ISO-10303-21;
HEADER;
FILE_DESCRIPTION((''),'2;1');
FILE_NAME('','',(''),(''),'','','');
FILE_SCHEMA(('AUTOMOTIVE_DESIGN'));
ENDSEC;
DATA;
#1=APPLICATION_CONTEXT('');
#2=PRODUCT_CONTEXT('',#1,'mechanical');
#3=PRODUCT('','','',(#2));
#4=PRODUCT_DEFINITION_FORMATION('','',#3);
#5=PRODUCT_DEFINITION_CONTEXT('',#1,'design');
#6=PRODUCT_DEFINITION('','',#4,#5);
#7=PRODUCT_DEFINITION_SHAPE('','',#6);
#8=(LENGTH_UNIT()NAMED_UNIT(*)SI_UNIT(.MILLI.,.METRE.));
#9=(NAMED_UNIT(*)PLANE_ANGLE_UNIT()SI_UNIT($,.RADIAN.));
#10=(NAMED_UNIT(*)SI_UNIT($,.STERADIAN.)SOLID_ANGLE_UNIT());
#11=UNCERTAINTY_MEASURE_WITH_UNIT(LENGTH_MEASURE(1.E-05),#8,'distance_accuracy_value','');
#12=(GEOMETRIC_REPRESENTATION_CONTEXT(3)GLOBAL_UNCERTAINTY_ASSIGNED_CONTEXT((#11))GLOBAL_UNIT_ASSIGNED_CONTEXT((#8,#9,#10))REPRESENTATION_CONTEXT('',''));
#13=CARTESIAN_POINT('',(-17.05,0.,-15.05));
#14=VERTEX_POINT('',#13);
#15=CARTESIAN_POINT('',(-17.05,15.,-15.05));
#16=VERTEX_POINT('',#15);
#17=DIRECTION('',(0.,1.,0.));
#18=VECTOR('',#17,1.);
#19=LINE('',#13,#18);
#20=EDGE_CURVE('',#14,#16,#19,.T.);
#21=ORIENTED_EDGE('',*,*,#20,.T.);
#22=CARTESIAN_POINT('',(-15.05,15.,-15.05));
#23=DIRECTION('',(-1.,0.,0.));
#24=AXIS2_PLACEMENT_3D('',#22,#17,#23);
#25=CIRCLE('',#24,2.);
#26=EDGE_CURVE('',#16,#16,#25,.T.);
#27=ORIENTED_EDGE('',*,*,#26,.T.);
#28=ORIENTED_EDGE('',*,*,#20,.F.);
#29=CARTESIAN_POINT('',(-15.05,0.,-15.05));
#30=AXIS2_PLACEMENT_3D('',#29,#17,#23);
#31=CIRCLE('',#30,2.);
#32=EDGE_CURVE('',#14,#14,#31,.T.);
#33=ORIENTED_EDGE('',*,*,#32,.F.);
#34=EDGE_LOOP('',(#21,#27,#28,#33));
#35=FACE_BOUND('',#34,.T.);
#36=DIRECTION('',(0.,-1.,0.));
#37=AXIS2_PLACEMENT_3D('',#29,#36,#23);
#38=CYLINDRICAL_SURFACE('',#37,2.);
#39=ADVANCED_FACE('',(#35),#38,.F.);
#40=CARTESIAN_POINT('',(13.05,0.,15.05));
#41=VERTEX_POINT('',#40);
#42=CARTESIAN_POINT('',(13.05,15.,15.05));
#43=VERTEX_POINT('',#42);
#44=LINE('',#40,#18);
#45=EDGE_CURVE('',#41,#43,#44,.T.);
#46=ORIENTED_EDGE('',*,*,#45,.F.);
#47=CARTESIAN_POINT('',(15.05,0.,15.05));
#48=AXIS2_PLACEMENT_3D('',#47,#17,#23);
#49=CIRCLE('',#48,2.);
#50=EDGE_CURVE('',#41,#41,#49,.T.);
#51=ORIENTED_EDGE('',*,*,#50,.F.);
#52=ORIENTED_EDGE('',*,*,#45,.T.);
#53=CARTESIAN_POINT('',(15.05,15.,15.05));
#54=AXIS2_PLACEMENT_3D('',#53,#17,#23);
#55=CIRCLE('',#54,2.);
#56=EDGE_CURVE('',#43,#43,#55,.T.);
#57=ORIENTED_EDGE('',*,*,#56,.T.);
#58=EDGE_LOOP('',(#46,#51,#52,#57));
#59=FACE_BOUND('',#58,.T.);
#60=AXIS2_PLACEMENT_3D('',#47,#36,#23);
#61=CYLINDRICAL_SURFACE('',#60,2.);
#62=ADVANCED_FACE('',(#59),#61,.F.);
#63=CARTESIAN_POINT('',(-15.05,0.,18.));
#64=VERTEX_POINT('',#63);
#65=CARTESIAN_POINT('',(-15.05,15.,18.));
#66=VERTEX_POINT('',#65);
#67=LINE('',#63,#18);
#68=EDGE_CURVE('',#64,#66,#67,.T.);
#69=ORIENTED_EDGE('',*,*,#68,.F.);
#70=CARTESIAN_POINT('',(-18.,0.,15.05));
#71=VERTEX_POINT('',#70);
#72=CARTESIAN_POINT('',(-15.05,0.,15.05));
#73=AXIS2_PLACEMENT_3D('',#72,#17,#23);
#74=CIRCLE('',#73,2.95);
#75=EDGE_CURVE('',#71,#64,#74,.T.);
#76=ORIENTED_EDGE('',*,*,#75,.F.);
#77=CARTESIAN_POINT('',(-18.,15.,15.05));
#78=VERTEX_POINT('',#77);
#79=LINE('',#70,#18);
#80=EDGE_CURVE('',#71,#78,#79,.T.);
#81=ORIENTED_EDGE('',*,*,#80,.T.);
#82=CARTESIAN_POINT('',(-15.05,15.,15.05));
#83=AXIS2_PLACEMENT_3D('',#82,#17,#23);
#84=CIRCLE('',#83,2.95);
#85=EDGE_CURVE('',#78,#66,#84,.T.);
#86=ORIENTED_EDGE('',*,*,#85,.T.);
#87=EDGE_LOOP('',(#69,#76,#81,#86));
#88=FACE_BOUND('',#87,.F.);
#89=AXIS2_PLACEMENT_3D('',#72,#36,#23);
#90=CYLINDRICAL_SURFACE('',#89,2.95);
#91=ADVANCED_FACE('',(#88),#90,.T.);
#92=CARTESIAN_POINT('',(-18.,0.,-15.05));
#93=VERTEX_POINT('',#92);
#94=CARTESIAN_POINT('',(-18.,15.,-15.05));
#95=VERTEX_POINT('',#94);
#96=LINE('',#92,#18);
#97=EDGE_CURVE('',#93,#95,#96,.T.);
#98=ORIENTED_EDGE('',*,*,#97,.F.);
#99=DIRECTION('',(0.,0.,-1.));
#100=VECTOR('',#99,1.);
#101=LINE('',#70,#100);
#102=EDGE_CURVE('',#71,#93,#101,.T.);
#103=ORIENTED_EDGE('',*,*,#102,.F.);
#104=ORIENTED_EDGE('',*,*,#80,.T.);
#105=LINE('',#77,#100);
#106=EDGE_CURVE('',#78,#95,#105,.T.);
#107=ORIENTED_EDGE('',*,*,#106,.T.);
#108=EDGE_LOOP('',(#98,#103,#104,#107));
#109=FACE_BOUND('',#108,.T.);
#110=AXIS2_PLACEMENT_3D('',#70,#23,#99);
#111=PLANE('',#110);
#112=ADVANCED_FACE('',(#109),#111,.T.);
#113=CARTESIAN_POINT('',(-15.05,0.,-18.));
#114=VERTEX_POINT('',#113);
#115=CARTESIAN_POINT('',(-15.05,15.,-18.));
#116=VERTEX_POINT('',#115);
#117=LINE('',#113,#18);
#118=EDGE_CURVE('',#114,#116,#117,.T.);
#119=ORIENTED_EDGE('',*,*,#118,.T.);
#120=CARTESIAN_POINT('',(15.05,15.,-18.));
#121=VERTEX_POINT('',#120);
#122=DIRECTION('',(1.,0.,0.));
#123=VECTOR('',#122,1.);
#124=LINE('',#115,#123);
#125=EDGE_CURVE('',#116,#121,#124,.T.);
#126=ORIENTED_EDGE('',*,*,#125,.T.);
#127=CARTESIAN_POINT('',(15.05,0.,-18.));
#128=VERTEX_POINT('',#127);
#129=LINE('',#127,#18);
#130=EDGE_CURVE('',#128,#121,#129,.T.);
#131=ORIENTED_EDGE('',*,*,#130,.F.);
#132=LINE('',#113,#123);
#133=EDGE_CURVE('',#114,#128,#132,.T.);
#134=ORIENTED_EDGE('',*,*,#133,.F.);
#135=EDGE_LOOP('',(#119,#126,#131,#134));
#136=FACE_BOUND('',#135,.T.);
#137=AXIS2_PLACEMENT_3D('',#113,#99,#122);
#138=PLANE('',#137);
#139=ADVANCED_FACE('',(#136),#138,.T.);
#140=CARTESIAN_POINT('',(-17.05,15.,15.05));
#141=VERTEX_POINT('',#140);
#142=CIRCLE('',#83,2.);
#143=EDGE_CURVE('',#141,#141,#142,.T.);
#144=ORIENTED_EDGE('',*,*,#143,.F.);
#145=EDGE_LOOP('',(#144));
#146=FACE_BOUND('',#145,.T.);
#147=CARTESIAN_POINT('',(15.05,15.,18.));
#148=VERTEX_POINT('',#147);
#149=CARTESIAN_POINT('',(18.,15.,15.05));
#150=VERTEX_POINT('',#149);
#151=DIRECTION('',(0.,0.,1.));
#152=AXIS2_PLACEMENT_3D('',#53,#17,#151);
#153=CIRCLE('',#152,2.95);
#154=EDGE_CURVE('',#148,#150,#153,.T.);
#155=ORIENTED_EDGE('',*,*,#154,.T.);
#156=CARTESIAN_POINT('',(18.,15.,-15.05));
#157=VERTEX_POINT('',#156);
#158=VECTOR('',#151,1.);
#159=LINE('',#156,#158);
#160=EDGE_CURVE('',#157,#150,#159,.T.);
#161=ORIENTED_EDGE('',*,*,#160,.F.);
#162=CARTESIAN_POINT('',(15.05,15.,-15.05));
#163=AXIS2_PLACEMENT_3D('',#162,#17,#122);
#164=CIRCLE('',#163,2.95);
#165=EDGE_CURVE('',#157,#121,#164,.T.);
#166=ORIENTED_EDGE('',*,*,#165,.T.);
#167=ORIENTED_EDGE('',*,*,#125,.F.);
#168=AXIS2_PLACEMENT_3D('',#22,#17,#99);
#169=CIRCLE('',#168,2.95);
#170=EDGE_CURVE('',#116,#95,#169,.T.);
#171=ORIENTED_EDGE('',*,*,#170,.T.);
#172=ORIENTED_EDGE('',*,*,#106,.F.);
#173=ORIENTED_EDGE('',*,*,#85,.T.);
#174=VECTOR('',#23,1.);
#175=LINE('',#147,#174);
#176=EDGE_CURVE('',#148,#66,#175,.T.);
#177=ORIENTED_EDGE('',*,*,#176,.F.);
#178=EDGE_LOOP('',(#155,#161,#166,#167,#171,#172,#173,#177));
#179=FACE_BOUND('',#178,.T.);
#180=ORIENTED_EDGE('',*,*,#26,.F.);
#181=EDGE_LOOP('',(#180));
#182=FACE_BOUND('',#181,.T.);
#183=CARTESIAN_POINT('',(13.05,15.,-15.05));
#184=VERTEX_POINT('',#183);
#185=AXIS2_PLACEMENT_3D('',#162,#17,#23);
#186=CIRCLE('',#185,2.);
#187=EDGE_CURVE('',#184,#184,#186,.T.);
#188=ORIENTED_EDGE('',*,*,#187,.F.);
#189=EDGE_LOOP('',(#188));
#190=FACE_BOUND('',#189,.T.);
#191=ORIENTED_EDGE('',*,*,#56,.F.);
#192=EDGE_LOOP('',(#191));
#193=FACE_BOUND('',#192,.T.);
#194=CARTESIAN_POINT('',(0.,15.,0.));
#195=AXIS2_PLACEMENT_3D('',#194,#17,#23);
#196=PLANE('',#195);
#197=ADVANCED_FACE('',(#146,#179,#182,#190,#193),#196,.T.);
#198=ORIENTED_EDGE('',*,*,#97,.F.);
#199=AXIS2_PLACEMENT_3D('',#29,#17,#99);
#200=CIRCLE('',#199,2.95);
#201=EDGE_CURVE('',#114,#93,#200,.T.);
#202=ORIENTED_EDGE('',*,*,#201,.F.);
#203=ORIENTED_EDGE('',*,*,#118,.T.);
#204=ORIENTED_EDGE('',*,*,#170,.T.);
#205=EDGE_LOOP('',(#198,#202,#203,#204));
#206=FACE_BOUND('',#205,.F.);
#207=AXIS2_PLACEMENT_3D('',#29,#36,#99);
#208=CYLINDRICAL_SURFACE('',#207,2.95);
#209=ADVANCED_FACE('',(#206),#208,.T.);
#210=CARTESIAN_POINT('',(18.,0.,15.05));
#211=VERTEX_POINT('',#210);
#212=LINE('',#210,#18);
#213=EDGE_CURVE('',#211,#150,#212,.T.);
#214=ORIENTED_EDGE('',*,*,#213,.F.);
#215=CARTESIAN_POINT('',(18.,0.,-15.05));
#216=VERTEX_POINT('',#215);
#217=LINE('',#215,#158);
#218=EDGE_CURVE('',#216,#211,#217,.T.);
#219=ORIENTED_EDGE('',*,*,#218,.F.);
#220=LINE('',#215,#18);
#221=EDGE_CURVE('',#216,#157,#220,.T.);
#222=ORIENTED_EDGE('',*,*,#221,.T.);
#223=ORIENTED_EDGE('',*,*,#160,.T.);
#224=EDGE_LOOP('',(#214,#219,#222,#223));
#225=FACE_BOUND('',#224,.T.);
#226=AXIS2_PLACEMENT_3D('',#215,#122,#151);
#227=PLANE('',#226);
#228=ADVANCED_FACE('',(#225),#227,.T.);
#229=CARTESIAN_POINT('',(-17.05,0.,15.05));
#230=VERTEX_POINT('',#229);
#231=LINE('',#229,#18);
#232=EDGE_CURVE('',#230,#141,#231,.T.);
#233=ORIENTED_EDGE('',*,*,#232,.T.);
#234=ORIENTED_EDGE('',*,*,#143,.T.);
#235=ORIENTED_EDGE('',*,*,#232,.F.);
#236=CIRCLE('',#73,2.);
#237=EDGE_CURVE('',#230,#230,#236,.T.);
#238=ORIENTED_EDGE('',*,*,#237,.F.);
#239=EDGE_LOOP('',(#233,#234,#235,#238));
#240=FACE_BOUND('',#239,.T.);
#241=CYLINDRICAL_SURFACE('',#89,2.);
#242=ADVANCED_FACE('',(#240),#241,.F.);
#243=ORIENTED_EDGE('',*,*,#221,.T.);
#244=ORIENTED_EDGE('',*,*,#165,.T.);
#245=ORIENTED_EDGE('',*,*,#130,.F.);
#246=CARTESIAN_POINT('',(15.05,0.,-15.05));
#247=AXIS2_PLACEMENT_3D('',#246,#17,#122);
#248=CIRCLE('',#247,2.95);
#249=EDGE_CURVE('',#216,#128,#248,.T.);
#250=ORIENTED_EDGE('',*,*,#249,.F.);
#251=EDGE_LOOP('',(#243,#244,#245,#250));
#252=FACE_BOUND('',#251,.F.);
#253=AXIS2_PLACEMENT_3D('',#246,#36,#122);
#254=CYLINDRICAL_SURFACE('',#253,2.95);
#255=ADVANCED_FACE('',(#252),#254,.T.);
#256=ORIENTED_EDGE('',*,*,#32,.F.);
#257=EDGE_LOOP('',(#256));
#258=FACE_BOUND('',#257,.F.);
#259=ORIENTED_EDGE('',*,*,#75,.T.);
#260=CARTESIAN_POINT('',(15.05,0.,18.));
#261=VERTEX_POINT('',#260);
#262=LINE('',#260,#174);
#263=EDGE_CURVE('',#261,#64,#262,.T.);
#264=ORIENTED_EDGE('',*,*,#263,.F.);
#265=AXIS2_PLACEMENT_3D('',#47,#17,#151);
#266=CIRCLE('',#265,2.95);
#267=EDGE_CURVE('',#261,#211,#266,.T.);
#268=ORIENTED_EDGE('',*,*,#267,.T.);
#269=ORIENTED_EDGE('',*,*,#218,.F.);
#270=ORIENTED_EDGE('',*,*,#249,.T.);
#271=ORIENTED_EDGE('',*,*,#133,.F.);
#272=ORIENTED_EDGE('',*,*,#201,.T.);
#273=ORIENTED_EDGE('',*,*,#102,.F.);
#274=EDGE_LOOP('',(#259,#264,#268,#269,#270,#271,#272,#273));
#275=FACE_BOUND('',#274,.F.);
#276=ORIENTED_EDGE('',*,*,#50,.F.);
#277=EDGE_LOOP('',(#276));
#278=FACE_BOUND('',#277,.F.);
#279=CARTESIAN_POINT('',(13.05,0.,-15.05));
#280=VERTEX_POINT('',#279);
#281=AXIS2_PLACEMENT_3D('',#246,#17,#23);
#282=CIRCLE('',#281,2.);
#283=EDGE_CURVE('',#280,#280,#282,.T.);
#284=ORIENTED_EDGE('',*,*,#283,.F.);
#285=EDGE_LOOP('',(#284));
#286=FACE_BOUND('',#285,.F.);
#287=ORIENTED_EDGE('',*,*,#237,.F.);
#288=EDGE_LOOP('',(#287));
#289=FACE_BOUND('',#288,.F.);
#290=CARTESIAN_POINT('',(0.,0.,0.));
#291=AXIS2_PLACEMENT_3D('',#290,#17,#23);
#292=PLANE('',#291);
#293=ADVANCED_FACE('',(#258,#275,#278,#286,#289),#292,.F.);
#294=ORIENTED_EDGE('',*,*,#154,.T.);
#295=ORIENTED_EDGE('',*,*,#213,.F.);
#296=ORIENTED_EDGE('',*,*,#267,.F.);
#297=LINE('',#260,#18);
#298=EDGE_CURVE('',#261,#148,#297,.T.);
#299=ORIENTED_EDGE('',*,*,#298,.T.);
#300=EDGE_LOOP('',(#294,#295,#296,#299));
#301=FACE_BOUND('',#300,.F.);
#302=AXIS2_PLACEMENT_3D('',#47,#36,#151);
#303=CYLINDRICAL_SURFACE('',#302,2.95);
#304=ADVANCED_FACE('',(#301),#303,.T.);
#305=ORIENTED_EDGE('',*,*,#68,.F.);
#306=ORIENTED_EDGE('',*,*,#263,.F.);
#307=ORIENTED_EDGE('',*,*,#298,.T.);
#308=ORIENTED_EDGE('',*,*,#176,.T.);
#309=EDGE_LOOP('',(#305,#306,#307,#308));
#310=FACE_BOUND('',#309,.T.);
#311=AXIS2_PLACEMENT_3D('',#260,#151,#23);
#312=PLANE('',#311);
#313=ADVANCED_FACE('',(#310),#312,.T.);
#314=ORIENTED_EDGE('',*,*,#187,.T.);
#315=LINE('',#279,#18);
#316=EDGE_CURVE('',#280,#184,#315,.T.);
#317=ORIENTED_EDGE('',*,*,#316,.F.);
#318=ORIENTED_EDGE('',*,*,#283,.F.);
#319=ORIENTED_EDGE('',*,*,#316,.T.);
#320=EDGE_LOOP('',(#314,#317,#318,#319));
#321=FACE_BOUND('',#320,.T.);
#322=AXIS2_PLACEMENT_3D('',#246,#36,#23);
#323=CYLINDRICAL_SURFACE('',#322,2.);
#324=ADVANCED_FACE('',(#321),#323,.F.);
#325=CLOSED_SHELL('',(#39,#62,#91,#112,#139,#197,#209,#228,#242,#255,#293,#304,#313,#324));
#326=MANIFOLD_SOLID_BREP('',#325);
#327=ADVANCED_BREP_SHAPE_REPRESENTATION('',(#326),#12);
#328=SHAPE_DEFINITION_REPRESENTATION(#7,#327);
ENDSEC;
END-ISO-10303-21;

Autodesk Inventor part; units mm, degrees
ref_plane "YZ Plane" through (0, 0, 0) normal (1, 0, 0) x (0, 1, 0)
ref_plane "XZ Plane" through (0, 0, 0) normal (0, 1, 0) x (-1, 0, 0)
ref_plane "XY Plane" through (0, 0, 0) normal (0, 0, 1) x (1, 0, 0)
sketch "Sketch1" plane through (0, 0, 0) normal (0, 1, 0) x (-1, 0, 0)
  line L0 (-15.05, 18) -> (15.05, 18)
  line L1 (18, 15.05) -> (18, -15.05)
  line L2 (15.05, -18) -> (-15.05, -18)
  line L3 (-18, -15.05) -> (-18, 15.05)
  line L4 (-18, 18) -> (18, -18) construction
  line L5 (18, 18) -> (-18, -18) construction
  circle A0 centre (15.05, 15.05) radius 2
  circle A1 centre (-15.05, 15.05) radius 2
  circle A2 centre (-15.05, -15.05) radius 2
  circle A3 centre (15.05, -15.05) radius 2
  arc A4 (18, 15.05) -> (15.05, 18) centre (15.05, 15.05) ccw
  arc A5 (15.05, -18) -> (18, -15.05) centre (15.05, -15.05) ccw
  arc A6 (-18, -15.05) -> (-15.05, -18) centre (-15.05, -15.05) ccw
  arc A7 (-15.05, 18) -> (-18, 15.05) centre (-15.05, 15.05) ccw
  point P0 (0, 0)
  dimension "d0" = 36
  dimension "d1" = 36
  dimension "d2" = 4
  dimension "d3" = 15.05
  dimension "d6" = 360
  dimension "d8" = 2.95
extrude "Extrusion1" add sketch "Sketch1" along normal blind 15
properties part number "FC"
